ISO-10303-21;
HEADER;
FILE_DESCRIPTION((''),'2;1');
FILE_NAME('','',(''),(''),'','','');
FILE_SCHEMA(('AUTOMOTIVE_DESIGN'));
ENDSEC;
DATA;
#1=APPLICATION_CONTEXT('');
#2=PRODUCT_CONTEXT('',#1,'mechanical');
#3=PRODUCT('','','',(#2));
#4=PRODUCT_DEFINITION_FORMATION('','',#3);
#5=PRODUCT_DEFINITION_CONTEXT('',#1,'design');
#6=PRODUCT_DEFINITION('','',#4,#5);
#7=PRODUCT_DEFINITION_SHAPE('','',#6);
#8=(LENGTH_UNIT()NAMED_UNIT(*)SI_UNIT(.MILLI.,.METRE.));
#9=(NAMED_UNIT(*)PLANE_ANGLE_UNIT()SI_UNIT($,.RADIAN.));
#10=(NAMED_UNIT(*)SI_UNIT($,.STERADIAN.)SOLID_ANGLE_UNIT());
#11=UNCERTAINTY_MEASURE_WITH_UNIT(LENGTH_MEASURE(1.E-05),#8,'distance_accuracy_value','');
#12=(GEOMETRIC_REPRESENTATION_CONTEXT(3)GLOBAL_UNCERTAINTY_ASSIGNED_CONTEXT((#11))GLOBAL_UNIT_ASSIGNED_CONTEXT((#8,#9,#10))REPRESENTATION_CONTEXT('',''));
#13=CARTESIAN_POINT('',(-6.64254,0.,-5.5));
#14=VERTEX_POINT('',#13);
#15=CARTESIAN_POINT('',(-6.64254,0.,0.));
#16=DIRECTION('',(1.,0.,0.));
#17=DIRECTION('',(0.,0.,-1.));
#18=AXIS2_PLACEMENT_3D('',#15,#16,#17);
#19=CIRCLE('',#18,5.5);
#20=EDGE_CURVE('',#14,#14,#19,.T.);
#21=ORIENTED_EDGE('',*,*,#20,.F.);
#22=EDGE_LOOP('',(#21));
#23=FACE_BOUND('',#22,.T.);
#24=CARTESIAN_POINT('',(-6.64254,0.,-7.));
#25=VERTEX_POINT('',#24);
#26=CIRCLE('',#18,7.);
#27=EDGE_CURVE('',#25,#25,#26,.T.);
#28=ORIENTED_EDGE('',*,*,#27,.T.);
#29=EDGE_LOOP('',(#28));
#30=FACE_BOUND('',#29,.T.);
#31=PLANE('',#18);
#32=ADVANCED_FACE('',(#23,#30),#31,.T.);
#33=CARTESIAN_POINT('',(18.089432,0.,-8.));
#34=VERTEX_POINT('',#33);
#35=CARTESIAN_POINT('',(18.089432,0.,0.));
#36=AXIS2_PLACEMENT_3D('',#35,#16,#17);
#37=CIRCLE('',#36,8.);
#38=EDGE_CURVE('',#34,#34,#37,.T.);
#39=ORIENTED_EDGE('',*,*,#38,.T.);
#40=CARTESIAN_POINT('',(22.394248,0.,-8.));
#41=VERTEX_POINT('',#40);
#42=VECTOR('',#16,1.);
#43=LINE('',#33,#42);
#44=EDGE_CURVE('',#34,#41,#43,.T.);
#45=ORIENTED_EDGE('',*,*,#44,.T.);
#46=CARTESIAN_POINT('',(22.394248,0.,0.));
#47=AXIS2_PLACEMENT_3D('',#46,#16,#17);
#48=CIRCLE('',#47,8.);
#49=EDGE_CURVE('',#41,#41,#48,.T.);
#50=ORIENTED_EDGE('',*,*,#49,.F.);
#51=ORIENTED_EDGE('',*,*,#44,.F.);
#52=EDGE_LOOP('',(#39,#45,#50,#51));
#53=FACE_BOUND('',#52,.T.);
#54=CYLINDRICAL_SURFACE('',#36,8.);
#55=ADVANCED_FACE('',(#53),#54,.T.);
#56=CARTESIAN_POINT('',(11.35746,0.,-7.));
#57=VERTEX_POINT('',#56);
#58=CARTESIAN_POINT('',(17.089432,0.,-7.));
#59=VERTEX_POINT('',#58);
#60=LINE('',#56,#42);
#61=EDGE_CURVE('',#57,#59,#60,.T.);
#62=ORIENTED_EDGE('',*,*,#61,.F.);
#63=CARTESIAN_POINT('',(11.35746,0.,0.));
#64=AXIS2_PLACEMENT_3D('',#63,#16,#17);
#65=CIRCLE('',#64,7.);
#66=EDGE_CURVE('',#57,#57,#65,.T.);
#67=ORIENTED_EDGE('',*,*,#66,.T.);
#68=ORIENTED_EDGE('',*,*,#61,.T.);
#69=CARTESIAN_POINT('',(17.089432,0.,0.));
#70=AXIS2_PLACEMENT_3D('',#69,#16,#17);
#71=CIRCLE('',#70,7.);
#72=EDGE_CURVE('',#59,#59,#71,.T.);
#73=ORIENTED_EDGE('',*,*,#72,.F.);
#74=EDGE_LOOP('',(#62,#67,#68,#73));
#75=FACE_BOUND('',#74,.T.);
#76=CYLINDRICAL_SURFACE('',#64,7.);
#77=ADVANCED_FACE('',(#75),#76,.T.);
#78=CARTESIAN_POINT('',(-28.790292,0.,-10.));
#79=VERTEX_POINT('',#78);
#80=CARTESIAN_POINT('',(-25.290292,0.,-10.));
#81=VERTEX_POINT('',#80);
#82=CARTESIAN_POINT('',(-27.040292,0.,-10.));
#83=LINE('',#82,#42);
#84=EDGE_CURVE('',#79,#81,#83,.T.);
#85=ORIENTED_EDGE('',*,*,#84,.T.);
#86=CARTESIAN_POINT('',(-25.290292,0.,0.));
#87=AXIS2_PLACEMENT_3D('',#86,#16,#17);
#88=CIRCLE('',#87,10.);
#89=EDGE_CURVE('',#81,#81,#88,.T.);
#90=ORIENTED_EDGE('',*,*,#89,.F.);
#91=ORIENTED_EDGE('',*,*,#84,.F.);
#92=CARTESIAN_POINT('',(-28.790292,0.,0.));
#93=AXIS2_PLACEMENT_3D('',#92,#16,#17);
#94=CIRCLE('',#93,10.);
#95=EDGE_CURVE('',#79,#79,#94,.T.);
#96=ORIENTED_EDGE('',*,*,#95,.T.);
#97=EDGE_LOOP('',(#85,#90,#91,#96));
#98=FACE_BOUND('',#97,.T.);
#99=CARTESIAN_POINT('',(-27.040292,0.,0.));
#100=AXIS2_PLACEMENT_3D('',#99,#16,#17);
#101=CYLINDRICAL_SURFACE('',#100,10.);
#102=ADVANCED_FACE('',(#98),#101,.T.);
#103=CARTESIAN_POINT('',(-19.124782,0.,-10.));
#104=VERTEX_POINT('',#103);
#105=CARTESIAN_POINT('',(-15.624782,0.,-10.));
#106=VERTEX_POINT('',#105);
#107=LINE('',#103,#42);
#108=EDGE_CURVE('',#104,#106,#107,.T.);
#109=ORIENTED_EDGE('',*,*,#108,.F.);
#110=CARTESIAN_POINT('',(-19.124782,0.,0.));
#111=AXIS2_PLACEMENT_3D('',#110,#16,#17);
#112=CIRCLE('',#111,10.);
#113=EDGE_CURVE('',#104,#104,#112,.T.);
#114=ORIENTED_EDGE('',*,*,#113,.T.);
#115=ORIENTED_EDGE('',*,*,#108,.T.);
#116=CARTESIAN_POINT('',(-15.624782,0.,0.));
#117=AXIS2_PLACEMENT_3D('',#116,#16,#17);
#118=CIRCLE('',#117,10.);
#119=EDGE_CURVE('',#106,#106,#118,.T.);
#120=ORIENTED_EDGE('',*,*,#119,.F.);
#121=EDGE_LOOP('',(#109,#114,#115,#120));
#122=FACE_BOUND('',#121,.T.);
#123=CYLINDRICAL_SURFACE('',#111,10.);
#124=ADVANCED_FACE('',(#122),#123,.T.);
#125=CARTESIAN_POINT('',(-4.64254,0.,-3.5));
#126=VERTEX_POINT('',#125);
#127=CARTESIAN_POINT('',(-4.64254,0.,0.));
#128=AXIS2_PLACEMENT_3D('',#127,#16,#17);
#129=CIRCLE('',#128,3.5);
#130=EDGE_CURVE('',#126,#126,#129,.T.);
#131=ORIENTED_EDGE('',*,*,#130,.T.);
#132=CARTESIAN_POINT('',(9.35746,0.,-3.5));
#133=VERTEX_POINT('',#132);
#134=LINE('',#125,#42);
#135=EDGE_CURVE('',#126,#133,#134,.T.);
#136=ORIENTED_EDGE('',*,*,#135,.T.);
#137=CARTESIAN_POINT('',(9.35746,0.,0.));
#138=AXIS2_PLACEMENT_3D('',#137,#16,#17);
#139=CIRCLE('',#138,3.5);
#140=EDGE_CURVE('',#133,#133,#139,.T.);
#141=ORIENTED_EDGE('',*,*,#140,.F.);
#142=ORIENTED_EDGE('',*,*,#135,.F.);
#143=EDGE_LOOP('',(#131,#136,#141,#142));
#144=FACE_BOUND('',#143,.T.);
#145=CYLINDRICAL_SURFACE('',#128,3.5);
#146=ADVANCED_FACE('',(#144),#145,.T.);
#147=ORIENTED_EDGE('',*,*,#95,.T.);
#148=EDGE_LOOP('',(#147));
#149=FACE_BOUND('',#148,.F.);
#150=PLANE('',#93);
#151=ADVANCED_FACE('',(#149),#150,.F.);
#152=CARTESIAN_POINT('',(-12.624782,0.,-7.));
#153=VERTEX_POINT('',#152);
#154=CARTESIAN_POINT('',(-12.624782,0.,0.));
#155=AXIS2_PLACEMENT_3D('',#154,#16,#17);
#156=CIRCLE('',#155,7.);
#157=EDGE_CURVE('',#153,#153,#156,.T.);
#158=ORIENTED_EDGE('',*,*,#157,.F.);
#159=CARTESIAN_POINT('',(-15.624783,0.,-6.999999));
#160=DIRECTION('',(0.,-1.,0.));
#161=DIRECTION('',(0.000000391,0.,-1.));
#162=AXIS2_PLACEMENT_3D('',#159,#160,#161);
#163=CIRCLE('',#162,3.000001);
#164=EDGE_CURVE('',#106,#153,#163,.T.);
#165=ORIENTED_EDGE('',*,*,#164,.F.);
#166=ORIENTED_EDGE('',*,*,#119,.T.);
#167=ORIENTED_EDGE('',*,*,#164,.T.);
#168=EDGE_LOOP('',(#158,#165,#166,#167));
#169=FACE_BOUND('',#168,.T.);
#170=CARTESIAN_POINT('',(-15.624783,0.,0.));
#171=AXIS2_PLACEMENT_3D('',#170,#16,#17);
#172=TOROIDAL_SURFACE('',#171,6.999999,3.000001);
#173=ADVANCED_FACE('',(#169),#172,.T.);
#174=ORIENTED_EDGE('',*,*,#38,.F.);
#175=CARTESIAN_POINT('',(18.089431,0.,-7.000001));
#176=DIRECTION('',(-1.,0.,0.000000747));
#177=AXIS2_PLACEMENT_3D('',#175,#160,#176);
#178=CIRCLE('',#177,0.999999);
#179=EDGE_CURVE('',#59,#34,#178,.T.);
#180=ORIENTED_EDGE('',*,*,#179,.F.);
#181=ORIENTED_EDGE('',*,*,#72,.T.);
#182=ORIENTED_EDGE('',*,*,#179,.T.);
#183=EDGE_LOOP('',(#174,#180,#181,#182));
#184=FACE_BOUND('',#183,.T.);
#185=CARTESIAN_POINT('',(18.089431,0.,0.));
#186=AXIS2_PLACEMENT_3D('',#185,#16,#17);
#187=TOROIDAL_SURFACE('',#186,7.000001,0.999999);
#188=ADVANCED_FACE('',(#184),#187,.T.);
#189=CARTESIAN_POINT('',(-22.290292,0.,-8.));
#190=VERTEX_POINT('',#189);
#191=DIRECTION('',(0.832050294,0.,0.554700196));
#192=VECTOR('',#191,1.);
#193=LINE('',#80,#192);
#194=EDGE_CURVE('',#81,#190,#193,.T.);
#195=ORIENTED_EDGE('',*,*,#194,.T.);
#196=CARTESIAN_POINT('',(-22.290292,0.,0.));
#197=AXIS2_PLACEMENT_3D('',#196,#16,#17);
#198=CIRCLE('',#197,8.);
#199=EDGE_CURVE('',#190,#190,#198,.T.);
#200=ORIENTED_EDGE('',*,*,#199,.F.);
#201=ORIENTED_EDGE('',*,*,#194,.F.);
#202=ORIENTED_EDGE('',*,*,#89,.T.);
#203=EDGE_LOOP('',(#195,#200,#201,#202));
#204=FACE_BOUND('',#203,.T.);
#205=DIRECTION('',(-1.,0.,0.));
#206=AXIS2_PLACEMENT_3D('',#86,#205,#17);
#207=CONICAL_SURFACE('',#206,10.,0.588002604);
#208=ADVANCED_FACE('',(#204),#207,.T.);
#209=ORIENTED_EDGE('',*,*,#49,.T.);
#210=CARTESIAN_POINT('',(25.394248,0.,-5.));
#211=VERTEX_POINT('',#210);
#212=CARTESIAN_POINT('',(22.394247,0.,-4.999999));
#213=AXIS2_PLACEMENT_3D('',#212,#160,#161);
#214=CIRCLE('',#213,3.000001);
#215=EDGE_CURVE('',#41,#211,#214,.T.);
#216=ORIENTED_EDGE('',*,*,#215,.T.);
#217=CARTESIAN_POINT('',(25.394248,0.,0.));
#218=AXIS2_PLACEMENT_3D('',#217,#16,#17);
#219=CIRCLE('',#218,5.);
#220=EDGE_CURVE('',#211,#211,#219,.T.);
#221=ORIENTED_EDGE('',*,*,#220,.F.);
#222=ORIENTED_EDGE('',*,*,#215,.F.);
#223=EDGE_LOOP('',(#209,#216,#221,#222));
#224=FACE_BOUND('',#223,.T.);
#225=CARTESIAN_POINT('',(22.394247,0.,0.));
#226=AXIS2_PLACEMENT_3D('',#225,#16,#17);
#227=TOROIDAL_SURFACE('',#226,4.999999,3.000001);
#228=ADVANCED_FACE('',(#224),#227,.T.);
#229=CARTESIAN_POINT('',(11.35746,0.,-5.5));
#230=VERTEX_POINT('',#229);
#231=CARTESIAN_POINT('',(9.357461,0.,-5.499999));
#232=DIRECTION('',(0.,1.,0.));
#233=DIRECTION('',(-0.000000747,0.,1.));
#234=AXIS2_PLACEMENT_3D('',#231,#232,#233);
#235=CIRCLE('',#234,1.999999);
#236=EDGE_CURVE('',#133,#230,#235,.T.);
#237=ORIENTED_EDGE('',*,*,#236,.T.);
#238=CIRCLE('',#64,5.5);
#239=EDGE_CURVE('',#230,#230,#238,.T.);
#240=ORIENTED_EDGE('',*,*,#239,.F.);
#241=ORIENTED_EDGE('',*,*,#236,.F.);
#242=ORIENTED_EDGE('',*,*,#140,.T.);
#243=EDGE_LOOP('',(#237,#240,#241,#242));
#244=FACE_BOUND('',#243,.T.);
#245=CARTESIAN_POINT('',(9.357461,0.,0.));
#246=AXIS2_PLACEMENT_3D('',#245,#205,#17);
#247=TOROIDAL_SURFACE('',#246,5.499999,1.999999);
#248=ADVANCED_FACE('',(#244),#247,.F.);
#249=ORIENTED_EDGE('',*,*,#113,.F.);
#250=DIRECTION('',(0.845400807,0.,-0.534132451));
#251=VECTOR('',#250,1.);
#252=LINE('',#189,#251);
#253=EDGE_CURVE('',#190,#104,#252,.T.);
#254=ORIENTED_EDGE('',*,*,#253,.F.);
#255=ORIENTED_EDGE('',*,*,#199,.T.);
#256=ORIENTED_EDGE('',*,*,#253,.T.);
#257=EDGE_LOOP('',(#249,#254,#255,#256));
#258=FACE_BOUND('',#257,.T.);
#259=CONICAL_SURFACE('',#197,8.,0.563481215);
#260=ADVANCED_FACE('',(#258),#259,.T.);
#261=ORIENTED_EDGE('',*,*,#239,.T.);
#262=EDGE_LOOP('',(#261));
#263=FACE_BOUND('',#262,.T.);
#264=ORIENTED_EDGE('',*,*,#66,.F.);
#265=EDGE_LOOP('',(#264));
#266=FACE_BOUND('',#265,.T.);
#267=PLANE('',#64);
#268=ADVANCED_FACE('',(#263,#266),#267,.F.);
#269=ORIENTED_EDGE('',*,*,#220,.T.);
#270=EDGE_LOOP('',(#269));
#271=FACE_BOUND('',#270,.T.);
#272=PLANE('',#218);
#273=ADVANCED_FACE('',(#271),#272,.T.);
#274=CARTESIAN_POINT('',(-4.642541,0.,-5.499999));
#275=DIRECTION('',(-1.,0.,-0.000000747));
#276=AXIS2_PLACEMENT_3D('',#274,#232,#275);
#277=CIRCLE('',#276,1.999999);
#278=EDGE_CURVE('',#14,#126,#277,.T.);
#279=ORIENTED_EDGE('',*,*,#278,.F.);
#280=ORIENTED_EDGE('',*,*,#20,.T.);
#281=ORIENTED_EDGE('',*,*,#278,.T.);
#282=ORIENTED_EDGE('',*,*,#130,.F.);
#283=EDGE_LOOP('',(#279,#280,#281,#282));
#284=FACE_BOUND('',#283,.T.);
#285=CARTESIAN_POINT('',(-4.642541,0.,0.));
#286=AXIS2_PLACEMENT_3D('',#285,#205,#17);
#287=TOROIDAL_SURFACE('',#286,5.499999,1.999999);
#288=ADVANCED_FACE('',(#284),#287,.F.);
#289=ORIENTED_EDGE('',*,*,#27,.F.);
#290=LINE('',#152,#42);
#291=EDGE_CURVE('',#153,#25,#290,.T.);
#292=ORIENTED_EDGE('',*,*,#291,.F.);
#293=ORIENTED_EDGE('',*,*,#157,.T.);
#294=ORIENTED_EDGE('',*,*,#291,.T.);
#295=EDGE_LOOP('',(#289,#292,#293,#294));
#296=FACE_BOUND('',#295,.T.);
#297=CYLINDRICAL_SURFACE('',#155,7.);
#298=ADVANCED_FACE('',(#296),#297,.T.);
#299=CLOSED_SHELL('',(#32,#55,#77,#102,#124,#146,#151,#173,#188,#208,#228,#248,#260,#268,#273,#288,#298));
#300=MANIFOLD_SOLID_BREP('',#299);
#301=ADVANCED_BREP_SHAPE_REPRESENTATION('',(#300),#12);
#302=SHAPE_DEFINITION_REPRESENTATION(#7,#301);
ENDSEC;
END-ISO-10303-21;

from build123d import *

# Parameters (mm, degrees)
F0_W = 3.5
F0_H = 10


with BuildPart() as f1:
    # F0 (on Front) → F1 (revolve)
    with BuildSketch(Plane.XZ):
        with Locations((-27.040292, -5)):
            Rectangle(F0_W, F0_H)
        with BuildLine():
            Line((25.394248, 0), (0, 0))
            Line((0, 0), (-19.124782, 0))
            Line((-19.124782, 0), (-19.124782, -10))
            Line((-19.124782, -10), (-15.624782, -10))
            ThreePointArc((-15.624782, -10), (-13.503462, -9.12132), (-12.624782, -7))
            Line((-12.624782, -7), (-6.64254, -7))
            Line((-6.64254, -7), (-6.64254, -5.5))
            ThreePointArc((-6.64254, -5.5), (-6.056754, -4.085786), (-4.64254, -3.5))
            Line((-4.64254, -3.5), (9.35746, -3.5))
            ThreePointArc((9.35746, -3.5), (10.771674, -4.085786), (11.35746, -5.5))
            Line((11.35746, -5.5), (11.35746, -7))
            Line((11.35746, -7), (17.089432, -7))
            ThreePointArc((17.089432, -7), (17.382325, -7.707107), (18.089432, -8))
            Line((18.089432, -8), (22.394248, -8))
            ThreePointArc((22.394248, -8), (24.515568, -7.12132), (25.394248, -5))
            Line((25.394248, -5), (25.394248, 0))
        make_face()
        Polygon((-22.290292, -8), (-22.290292, 0), (-25.290292, 0), (-25.290292, -10), align=None)
        Polygon((-19.124782, -10), (-19.124782, 0), (-22.290292, 0), (-22.290292, -8), align=None)
    revolve(axis=Axis((-5.965252, 0, 0), (1, 0, 0)))


solid = f1.part
